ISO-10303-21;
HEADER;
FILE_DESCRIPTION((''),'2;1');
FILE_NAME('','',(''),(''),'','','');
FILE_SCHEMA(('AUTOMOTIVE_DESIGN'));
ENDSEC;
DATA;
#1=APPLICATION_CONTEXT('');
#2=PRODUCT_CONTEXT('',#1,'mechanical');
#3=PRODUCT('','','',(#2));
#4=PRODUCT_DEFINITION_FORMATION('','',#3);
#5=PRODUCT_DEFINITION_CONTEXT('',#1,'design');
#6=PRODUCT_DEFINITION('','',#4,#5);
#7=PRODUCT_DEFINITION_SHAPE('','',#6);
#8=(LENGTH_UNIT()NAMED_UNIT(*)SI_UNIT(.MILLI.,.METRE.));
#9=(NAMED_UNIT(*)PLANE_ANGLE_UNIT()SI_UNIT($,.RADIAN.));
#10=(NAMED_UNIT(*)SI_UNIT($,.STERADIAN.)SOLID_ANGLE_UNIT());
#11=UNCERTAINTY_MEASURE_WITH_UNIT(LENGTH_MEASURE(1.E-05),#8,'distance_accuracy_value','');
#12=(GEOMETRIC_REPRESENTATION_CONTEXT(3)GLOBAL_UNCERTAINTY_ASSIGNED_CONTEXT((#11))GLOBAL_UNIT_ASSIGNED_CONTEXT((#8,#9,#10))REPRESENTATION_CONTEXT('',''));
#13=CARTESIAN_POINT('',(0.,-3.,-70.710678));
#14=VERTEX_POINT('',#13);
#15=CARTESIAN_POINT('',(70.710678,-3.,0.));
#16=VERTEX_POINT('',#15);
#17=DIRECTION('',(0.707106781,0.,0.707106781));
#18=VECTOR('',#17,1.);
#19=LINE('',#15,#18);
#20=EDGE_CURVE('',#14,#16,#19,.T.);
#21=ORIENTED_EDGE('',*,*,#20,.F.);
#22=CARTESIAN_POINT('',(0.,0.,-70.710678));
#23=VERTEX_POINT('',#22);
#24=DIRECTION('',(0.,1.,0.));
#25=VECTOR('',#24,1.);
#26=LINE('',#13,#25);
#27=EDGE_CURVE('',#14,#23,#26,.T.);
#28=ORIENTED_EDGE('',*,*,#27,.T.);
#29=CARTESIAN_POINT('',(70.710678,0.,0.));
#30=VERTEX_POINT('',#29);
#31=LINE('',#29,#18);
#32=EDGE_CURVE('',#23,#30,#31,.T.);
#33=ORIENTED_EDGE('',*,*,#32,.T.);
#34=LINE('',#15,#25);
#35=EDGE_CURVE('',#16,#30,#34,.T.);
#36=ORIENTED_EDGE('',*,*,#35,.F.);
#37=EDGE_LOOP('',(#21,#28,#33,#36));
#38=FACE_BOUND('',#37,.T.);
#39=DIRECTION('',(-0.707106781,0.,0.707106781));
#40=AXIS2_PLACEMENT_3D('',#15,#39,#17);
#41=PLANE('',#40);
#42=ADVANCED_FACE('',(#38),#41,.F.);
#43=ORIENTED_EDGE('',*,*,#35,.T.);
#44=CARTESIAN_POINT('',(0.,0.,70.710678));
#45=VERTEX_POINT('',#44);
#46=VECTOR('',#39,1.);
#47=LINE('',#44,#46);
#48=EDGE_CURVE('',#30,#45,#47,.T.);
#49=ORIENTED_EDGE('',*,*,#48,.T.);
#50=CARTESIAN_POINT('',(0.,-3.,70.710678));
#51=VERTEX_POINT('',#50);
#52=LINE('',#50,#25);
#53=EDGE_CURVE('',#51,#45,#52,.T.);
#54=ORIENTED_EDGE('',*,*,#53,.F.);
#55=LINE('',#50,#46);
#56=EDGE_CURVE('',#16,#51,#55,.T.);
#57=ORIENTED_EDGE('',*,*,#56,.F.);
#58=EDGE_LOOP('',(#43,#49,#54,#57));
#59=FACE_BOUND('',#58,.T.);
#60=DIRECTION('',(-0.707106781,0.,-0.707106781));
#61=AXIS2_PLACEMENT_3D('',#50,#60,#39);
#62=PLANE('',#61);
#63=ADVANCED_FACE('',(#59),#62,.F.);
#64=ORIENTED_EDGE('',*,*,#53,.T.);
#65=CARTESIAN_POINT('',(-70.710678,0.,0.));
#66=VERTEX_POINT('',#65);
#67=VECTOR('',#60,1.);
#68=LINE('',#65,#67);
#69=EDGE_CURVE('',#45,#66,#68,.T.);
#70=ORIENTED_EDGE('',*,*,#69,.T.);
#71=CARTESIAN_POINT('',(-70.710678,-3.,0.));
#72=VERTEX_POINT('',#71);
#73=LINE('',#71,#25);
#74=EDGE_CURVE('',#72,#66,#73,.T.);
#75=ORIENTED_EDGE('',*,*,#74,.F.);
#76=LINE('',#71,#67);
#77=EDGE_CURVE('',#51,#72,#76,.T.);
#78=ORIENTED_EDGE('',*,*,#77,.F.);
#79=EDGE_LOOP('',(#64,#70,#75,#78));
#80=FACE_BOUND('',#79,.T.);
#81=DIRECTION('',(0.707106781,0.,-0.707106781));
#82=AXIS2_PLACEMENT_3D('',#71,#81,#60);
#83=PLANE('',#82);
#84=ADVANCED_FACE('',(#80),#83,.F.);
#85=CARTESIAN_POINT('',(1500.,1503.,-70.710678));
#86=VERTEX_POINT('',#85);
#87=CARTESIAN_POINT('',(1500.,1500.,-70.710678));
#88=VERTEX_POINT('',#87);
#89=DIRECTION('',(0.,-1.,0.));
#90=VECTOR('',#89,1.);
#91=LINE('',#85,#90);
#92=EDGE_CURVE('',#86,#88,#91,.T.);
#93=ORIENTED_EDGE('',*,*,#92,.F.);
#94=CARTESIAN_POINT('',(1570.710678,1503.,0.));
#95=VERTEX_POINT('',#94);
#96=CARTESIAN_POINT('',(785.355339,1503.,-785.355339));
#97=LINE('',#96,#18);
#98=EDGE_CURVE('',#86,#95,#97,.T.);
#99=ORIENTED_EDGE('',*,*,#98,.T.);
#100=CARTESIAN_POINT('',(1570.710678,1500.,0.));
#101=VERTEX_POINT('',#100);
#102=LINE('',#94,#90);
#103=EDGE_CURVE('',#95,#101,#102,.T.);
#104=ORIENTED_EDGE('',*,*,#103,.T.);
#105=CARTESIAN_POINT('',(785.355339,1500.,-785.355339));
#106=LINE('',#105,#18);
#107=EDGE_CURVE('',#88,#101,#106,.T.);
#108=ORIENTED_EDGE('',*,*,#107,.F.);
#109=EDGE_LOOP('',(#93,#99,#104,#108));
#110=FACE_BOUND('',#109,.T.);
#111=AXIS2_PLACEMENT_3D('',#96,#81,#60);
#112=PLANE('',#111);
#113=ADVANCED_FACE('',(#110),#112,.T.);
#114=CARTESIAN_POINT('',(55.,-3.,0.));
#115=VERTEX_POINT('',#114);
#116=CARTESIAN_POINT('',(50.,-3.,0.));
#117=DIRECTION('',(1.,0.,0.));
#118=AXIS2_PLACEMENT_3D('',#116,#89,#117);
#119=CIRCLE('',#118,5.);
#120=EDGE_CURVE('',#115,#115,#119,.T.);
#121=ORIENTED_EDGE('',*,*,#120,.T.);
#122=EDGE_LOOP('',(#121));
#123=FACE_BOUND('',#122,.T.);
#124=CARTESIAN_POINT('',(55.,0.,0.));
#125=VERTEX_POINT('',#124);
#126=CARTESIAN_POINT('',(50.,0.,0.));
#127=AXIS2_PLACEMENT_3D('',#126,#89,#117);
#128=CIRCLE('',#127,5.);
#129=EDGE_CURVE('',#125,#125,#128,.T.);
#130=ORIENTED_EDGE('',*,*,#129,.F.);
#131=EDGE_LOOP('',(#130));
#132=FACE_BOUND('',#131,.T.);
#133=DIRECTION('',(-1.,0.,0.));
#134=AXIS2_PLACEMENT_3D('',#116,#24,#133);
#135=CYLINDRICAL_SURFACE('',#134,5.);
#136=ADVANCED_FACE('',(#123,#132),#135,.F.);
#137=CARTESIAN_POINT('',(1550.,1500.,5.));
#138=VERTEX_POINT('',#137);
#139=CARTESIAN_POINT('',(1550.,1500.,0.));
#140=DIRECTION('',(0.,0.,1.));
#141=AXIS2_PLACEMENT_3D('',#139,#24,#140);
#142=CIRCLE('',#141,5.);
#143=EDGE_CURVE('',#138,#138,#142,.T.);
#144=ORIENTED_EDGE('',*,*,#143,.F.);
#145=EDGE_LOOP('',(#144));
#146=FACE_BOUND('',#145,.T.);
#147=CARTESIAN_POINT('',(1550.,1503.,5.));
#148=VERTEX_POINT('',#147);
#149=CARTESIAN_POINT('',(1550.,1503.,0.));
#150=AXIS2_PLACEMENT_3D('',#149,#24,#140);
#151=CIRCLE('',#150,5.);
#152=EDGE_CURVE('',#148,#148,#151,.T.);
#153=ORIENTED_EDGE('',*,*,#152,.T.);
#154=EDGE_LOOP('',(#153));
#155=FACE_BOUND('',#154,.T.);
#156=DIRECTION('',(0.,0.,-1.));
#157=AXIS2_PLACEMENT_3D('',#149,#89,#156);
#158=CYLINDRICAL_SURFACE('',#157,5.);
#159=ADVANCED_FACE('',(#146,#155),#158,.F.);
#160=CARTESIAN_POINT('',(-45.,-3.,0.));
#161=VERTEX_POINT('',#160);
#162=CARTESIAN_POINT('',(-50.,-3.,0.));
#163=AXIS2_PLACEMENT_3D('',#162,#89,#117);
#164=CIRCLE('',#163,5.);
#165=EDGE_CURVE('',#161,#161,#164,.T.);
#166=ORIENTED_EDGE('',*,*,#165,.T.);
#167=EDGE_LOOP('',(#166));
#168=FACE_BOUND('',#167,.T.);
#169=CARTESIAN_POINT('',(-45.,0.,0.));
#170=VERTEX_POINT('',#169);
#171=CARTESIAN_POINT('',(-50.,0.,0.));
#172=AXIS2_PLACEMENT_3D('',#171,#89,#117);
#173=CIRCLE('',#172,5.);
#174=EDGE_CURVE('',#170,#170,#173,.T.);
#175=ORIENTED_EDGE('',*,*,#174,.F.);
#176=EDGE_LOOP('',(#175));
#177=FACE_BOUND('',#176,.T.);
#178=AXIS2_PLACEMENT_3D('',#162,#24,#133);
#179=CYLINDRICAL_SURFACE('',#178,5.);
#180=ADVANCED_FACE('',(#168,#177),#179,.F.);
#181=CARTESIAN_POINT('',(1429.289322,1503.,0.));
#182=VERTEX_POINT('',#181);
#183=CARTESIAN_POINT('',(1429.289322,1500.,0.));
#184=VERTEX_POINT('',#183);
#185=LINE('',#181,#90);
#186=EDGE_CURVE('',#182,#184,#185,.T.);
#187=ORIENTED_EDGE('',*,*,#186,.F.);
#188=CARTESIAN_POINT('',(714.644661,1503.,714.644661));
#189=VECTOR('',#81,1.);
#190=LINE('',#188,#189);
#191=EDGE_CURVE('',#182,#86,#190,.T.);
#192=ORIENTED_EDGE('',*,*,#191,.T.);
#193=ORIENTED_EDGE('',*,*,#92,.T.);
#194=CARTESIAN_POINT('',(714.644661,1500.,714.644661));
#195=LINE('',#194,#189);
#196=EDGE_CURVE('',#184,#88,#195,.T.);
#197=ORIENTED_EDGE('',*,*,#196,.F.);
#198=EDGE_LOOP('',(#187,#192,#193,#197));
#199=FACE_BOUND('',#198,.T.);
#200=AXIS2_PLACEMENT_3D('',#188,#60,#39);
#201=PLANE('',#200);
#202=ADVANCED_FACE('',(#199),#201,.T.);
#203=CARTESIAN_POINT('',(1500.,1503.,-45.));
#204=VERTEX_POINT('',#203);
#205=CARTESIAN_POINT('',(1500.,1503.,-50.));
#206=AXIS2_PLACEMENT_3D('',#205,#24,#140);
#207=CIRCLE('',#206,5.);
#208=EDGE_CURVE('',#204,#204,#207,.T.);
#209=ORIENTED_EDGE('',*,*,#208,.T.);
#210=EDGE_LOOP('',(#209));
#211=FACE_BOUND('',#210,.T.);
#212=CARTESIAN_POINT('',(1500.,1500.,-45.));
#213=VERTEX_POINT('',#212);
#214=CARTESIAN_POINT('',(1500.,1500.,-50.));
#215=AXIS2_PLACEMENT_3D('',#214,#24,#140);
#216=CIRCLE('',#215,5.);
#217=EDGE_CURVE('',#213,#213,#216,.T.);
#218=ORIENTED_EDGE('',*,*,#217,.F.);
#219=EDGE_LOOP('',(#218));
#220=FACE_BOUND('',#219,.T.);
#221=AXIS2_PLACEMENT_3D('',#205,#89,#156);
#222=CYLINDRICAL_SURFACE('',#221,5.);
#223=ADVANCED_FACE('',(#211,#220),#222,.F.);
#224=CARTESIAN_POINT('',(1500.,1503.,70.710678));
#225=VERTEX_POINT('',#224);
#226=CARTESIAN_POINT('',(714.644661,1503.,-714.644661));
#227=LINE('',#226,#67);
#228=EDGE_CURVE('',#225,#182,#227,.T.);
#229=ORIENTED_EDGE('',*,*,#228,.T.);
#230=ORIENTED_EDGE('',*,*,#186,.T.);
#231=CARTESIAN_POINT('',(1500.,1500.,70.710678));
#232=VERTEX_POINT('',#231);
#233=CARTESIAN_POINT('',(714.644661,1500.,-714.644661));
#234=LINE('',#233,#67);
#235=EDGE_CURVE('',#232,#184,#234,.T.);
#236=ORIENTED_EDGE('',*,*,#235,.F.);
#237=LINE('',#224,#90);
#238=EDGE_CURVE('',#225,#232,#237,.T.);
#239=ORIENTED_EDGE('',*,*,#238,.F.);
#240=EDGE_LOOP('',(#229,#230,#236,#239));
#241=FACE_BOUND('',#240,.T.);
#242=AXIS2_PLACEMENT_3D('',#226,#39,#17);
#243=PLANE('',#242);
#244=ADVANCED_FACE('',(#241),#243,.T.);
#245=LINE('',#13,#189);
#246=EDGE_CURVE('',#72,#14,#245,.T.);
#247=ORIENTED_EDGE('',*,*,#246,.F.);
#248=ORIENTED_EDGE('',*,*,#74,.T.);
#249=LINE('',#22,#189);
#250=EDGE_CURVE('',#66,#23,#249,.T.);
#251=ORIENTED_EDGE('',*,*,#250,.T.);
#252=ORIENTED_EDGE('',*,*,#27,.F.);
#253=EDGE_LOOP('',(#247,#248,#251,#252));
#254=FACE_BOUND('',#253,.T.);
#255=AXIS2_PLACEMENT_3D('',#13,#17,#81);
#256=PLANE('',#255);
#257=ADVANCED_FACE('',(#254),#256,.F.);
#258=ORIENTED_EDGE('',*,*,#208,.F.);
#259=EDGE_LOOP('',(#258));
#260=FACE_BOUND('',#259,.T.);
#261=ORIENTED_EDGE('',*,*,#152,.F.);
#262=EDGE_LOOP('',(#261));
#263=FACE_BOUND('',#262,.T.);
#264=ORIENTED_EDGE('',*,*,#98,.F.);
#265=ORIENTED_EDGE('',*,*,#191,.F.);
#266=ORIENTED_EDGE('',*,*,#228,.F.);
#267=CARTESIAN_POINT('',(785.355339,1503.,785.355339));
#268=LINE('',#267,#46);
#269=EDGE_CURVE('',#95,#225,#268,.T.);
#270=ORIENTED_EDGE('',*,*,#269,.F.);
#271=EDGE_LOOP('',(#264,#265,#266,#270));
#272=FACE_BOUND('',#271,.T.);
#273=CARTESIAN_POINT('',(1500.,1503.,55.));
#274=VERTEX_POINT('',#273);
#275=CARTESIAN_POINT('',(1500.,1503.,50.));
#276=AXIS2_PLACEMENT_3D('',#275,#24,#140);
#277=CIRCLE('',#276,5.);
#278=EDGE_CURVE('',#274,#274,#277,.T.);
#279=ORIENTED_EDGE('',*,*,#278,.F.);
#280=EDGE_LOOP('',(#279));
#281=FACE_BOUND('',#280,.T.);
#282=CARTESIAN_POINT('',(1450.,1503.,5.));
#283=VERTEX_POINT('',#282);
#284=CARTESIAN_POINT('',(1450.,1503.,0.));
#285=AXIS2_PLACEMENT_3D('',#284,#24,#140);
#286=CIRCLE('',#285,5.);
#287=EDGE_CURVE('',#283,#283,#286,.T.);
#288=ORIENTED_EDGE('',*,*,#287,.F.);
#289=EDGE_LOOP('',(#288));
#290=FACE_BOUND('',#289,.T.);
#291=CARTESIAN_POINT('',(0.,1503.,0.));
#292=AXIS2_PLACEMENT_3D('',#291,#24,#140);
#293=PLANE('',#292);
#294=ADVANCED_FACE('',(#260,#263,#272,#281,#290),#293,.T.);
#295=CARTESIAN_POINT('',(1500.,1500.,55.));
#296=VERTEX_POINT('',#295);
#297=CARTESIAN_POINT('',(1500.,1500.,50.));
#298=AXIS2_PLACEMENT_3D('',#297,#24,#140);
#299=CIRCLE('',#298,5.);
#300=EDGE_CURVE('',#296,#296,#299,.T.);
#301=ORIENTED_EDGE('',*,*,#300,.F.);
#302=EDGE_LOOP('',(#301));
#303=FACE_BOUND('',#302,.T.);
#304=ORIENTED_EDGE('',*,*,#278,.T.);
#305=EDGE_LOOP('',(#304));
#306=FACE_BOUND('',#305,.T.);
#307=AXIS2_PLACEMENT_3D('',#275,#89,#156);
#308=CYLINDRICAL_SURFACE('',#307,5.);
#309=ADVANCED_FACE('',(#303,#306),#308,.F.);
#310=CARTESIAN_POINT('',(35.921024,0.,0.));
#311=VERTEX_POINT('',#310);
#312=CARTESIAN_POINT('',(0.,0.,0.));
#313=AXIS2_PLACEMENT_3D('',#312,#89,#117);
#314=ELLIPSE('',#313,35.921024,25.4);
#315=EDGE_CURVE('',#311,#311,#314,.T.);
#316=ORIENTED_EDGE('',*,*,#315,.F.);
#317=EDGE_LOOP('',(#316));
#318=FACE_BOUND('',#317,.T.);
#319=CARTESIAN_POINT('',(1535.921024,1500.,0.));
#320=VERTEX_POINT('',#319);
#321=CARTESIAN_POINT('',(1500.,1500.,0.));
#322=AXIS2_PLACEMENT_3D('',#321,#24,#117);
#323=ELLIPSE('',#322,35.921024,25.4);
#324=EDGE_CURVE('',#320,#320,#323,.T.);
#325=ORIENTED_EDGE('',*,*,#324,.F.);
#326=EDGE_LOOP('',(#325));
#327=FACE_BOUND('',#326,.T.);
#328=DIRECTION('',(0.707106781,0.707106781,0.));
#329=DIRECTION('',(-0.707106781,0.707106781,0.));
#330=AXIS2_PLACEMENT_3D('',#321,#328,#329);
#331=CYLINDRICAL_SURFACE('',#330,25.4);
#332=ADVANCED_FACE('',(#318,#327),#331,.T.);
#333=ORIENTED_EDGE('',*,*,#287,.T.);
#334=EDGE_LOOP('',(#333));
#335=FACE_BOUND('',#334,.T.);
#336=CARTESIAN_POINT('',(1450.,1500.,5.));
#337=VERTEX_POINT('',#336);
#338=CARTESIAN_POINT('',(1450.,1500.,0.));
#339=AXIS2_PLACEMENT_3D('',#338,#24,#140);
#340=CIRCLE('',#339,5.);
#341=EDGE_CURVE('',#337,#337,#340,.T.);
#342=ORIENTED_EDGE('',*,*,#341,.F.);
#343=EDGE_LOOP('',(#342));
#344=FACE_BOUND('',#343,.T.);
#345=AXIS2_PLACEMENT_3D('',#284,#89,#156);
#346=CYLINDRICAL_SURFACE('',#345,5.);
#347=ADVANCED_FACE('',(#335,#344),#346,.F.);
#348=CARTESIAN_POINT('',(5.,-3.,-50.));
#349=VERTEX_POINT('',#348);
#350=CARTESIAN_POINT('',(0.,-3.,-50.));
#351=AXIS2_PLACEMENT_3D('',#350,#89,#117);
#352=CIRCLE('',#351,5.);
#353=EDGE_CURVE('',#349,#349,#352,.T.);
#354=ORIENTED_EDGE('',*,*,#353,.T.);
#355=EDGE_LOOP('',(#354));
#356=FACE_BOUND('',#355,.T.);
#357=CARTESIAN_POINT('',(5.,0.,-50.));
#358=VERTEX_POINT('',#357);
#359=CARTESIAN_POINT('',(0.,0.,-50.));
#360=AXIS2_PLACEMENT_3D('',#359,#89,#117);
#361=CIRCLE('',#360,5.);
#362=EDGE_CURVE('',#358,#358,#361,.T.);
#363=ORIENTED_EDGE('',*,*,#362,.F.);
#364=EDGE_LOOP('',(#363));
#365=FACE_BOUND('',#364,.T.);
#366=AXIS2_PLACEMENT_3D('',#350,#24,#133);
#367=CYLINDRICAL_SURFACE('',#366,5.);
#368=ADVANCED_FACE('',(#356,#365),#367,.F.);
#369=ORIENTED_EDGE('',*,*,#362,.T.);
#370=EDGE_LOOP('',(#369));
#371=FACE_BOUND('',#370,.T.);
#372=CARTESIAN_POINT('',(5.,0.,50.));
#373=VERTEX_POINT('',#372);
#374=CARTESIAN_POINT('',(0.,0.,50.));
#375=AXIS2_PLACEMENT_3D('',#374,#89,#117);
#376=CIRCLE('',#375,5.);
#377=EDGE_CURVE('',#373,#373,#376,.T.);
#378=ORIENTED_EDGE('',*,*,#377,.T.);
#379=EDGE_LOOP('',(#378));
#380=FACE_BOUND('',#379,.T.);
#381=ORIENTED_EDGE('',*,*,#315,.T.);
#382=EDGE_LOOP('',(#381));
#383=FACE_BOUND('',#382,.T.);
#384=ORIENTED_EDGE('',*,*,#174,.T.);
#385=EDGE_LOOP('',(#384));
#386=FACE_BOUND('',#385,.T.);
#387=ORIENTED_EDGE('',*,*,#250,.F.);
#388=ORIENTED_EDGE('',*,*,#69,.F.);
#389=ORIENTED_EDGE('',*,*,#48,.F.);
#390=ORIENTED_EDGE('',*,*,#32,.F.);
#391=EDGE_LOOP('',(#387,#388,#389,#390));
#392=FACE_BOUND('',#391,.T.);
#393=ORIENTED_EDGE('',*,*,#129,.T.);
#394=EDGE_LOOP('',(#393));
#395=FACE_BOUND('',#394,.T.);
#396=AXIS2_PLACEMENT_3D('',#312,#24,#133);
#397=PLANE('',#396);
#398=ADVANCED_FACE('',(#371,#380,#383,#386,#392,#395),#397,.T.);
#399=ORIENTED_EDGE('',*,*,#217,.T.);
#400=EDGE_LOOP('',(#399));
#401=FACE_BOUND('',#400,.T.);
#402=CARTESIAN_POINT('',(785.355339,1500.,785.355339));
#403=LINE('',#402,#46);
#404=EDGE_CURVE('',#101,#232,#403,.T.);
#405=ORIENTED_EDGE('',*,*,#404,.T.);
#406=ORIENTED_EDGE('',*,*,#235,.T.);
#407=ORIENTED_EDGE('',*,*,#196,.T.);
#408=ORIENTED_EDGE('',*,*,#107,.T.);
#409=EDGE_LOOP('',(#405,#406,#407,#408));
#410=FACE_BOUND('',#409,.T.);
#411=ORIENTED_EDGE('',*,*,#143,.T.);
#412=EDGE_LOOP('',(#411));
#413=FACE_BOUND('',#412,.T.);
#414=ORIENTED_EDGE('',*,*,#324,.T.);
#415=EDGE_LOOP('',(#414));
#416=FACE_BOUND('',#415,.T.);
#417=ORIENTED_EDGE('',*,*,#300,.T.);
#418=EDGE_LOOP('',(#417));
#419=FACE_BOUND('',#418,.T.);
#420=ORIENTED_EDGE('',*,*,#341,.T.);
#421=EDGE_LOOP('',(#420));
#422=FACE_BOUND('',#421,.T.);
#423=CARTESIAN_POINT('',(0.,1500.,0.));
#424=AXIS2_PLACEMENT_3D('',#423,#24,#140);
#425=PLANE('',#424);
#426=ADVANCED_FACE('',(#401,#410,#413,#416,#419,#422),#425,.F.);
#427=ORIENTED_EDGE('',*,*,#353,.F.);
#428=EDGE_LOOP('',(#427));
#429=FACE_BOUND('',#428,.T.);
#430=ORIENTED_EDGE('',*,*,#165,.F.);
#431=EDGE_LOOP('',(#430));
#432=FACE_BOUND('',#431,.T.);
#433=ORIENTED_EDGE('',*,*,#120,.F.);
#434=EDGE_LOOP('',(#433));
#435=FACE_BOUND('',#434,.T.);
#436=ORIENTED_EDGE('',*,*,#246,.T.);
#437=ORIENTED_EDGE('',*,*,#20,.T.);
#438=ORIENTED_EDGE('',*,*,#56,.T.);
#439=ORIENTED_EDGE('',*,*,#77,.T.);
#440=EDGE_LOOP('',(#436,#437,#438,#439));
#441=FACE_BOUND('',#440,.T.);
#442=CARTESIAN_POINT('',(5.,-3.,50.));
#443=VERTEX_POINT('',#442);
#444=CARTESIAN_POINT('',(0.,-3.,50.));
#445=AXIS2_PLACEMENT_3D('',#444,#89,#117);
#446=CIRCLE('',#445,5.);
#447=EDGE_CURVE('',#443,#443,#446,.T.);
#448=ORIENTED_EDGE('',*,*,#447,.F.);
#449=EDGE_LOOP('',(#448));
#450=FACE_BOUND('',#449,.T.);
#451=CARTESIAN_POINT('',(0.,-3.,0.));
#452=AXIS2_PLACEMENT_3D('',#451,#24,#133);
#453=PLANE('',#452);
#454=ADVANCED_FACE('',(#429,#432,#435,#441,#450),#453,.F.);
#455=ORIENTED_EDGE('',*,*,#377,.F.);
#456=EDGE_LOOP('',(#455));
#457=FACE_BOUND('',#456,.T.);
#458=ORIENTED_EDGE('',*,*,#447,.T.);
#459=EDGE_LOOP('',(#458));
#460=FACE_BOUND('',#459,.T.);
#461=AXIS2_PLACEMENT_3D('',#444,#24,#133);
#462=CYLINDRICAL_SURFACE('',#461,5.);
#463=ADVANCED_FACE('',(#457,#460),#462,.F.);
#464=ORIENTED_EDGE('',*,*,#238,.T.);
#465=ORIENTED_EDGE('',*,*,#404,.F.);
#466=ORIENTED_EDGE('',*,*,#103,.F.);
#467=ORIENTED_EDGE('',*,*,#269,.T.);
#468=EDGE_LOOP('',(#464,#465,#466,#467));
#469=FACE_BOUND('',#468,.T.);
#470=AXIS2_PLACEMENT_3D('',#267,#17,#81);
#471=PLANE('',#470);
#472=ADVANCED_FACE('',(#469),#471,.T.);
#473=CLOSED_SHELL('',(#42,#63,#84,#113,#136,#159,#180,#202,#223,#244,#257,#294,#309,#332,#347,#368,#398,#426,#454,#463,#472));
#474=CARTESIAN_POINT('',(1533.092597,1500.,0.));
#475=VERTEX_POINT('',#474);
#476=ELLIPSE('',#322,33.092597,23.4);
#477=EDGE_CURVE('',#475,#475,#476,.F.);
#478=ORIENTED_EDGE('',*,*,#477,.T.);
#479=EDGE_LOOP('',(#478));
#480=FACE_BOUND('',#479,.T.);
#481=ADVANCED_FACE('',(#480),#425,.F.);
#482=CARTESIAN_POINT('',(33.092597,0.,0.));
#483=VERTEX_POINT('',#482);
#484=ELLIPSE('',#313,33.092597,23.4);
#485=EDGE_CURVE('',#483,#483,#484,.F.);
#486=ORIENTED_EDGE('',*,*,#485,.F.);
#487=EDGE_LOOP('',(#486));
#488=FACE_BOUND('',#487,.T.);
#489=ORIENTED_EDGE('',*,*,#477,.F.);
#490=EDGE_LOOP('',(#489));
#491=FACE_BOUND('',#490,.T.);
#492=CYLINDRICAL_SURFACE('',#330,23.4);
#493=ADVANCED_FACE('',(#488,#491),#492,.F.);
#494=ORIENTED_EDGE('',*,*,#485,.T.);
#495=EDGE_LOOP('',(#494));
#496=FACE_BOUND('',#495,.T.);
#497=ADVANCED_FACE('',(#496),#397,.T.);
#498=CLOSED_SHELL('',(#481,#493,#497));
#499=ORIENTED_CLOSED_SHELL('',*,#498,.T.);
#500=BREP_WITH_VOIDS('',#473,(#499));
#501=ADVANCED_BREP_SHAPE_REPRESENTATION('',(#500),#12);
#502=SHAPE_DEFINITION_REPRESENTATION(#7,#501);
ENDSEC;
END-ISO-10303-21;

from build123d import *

# Parameters (mm, degrees)
CORTAR_EXTRUIR1_DEPTH      = 2173.26884775
CORTAR_EXTRUIR1_DEPTH_BACK = 2173.26884775
CROQUIS3_R                 = 5
SALIENTE_EXTRUIR1_DEPTH    = 3
CROQUIS9_R                 = 5
CROQUIS9_RX                = 35.921024484
CROQUIS9_RY                = 25.4
CROQUIS9_RX_2              = 33.09259736
CROQUIS9_RY_2              = 23.4
SALIENTE_EXTRUIR5_DEPTH    = 3


with BuildPart() as part:
    # Croquis1 → Revolución1 (revolve)
    with BuildSketch(Plane.XY, mode=Mode.PRIVATE) as revoluci_n1_sk:
        Polygon((1535.921024484, 1500), (0, -35.921024484), (-1.414213562, -34.506810922), (1534.506810922, 1501.414213562), align=None)
    revolve(revoluci_n1_sk.sketch.rotate(Axis((1500, 1500, 0), (-0.7071067811865476, -0.7071067811865476, 0)), 180), axis=Axis((1500, 1500, 0), (-0.7071067811865476, -0.7071067811865476, 0)))

    # Croquis2 → Cortar-Extruir1 (cut, two sides)
    with BuildSketch(Plane.XY) as cortar_extruir1_sk:
        Polygon((-35.921024484, 0), (35.921024484, 0), (0, -35.921024484), align=None)
        Polygon((1535.921024484, 1500), (1464.078975516, 1500), (1500, 1535.921024484), align=None)
    extrude(amount=CORTAR_EXTRUIR1_DEPTH, mode=Mode.SUBTRACT)
    extrude(cortar_extruir1_sk.sketch, amount=-CORTAR_EXTRUIR1_DEPTH_BACK, mode=Mode.SUBTRACT)

    # Croquis3 → Saliente-Extruir1 (add)
    with BuildSketch(Plane.XZ):
        Polygon((-70.710678119, 0), (0, 70.710678119), (70.710678119, 0), (0, -70.710678119), align=None)
        with Locations((-50, 0)):
            Circle(CROQUIS3_R, mode=Mode.SUBTRACT)
        with Locations((0, 50)):
            Circle(CROQUIS3_R, mode=Mode.SUBTRACT)
        with Locations((50, 0)):
            Circle(CROQUIS3_R, mode=Mode.SUBTRACT)
        with Locations((0, -50)):
            Circle(CROQUIS3_R, mode=Mode.SUBTRACT)
    extrude(amount=SALIENTE_EXTRUIR1_DEPTH)

    # Croquis9 → Saliente-Extruir5 (add)
    with BuildSketch(Plane(origin=(0, 1500, 0), x_dir=(1, 0, 0), z_dir=(0, 1, 0))):
        Polygon((1500, 70.710678119), (1570.710678119, 0), (1500, -70.710678119), (1429.289321881, 0), align=None)
        with Locations(Location((1450, 0, 0), (0, 0, 270))):
            Circle(CROQUIS9_R, mode=Mode.SUBTRACT)
        with Locations(Location((1500, -50, 0), (0, 0, 270))):
            Circle(CROQUIS9_R, mode=Mode.SUBTRACT)
        with Locations(Location((1550, 0, 0), (0, 0, 270))):
            Circle(CROQUIS9_R, mode=Mode.SUBTRACT)
        with Locations(Location((1500, 50, 0), (0, 0, 270))):
            Circle(CROQUIS9_R, mode=Mode.SUBTRACT)
        with Locations((1500, 0)):
            Ellipse(CROQUIS9_RX, CROQUIS9_RY, mode=Mode.SUBTRACT)
        with Locations((1500, 0)):
            Ellipse(CROQUIS9_RX, CROQUIS9_RY)
        with Locations((1500, 0)):
            Ellipse(CROQUIS9_RX_2, CROQUIS9_RY_2, mode=Mode.SUBTRACT)
        with Locations((1500, 0)):
            Ellipse(CROQUIS9_RX_2, CROQUIS9_RY_2)
    extrude(amount=SALIENTE_EXTRUIR5_DEPTH)


solid = part.part
